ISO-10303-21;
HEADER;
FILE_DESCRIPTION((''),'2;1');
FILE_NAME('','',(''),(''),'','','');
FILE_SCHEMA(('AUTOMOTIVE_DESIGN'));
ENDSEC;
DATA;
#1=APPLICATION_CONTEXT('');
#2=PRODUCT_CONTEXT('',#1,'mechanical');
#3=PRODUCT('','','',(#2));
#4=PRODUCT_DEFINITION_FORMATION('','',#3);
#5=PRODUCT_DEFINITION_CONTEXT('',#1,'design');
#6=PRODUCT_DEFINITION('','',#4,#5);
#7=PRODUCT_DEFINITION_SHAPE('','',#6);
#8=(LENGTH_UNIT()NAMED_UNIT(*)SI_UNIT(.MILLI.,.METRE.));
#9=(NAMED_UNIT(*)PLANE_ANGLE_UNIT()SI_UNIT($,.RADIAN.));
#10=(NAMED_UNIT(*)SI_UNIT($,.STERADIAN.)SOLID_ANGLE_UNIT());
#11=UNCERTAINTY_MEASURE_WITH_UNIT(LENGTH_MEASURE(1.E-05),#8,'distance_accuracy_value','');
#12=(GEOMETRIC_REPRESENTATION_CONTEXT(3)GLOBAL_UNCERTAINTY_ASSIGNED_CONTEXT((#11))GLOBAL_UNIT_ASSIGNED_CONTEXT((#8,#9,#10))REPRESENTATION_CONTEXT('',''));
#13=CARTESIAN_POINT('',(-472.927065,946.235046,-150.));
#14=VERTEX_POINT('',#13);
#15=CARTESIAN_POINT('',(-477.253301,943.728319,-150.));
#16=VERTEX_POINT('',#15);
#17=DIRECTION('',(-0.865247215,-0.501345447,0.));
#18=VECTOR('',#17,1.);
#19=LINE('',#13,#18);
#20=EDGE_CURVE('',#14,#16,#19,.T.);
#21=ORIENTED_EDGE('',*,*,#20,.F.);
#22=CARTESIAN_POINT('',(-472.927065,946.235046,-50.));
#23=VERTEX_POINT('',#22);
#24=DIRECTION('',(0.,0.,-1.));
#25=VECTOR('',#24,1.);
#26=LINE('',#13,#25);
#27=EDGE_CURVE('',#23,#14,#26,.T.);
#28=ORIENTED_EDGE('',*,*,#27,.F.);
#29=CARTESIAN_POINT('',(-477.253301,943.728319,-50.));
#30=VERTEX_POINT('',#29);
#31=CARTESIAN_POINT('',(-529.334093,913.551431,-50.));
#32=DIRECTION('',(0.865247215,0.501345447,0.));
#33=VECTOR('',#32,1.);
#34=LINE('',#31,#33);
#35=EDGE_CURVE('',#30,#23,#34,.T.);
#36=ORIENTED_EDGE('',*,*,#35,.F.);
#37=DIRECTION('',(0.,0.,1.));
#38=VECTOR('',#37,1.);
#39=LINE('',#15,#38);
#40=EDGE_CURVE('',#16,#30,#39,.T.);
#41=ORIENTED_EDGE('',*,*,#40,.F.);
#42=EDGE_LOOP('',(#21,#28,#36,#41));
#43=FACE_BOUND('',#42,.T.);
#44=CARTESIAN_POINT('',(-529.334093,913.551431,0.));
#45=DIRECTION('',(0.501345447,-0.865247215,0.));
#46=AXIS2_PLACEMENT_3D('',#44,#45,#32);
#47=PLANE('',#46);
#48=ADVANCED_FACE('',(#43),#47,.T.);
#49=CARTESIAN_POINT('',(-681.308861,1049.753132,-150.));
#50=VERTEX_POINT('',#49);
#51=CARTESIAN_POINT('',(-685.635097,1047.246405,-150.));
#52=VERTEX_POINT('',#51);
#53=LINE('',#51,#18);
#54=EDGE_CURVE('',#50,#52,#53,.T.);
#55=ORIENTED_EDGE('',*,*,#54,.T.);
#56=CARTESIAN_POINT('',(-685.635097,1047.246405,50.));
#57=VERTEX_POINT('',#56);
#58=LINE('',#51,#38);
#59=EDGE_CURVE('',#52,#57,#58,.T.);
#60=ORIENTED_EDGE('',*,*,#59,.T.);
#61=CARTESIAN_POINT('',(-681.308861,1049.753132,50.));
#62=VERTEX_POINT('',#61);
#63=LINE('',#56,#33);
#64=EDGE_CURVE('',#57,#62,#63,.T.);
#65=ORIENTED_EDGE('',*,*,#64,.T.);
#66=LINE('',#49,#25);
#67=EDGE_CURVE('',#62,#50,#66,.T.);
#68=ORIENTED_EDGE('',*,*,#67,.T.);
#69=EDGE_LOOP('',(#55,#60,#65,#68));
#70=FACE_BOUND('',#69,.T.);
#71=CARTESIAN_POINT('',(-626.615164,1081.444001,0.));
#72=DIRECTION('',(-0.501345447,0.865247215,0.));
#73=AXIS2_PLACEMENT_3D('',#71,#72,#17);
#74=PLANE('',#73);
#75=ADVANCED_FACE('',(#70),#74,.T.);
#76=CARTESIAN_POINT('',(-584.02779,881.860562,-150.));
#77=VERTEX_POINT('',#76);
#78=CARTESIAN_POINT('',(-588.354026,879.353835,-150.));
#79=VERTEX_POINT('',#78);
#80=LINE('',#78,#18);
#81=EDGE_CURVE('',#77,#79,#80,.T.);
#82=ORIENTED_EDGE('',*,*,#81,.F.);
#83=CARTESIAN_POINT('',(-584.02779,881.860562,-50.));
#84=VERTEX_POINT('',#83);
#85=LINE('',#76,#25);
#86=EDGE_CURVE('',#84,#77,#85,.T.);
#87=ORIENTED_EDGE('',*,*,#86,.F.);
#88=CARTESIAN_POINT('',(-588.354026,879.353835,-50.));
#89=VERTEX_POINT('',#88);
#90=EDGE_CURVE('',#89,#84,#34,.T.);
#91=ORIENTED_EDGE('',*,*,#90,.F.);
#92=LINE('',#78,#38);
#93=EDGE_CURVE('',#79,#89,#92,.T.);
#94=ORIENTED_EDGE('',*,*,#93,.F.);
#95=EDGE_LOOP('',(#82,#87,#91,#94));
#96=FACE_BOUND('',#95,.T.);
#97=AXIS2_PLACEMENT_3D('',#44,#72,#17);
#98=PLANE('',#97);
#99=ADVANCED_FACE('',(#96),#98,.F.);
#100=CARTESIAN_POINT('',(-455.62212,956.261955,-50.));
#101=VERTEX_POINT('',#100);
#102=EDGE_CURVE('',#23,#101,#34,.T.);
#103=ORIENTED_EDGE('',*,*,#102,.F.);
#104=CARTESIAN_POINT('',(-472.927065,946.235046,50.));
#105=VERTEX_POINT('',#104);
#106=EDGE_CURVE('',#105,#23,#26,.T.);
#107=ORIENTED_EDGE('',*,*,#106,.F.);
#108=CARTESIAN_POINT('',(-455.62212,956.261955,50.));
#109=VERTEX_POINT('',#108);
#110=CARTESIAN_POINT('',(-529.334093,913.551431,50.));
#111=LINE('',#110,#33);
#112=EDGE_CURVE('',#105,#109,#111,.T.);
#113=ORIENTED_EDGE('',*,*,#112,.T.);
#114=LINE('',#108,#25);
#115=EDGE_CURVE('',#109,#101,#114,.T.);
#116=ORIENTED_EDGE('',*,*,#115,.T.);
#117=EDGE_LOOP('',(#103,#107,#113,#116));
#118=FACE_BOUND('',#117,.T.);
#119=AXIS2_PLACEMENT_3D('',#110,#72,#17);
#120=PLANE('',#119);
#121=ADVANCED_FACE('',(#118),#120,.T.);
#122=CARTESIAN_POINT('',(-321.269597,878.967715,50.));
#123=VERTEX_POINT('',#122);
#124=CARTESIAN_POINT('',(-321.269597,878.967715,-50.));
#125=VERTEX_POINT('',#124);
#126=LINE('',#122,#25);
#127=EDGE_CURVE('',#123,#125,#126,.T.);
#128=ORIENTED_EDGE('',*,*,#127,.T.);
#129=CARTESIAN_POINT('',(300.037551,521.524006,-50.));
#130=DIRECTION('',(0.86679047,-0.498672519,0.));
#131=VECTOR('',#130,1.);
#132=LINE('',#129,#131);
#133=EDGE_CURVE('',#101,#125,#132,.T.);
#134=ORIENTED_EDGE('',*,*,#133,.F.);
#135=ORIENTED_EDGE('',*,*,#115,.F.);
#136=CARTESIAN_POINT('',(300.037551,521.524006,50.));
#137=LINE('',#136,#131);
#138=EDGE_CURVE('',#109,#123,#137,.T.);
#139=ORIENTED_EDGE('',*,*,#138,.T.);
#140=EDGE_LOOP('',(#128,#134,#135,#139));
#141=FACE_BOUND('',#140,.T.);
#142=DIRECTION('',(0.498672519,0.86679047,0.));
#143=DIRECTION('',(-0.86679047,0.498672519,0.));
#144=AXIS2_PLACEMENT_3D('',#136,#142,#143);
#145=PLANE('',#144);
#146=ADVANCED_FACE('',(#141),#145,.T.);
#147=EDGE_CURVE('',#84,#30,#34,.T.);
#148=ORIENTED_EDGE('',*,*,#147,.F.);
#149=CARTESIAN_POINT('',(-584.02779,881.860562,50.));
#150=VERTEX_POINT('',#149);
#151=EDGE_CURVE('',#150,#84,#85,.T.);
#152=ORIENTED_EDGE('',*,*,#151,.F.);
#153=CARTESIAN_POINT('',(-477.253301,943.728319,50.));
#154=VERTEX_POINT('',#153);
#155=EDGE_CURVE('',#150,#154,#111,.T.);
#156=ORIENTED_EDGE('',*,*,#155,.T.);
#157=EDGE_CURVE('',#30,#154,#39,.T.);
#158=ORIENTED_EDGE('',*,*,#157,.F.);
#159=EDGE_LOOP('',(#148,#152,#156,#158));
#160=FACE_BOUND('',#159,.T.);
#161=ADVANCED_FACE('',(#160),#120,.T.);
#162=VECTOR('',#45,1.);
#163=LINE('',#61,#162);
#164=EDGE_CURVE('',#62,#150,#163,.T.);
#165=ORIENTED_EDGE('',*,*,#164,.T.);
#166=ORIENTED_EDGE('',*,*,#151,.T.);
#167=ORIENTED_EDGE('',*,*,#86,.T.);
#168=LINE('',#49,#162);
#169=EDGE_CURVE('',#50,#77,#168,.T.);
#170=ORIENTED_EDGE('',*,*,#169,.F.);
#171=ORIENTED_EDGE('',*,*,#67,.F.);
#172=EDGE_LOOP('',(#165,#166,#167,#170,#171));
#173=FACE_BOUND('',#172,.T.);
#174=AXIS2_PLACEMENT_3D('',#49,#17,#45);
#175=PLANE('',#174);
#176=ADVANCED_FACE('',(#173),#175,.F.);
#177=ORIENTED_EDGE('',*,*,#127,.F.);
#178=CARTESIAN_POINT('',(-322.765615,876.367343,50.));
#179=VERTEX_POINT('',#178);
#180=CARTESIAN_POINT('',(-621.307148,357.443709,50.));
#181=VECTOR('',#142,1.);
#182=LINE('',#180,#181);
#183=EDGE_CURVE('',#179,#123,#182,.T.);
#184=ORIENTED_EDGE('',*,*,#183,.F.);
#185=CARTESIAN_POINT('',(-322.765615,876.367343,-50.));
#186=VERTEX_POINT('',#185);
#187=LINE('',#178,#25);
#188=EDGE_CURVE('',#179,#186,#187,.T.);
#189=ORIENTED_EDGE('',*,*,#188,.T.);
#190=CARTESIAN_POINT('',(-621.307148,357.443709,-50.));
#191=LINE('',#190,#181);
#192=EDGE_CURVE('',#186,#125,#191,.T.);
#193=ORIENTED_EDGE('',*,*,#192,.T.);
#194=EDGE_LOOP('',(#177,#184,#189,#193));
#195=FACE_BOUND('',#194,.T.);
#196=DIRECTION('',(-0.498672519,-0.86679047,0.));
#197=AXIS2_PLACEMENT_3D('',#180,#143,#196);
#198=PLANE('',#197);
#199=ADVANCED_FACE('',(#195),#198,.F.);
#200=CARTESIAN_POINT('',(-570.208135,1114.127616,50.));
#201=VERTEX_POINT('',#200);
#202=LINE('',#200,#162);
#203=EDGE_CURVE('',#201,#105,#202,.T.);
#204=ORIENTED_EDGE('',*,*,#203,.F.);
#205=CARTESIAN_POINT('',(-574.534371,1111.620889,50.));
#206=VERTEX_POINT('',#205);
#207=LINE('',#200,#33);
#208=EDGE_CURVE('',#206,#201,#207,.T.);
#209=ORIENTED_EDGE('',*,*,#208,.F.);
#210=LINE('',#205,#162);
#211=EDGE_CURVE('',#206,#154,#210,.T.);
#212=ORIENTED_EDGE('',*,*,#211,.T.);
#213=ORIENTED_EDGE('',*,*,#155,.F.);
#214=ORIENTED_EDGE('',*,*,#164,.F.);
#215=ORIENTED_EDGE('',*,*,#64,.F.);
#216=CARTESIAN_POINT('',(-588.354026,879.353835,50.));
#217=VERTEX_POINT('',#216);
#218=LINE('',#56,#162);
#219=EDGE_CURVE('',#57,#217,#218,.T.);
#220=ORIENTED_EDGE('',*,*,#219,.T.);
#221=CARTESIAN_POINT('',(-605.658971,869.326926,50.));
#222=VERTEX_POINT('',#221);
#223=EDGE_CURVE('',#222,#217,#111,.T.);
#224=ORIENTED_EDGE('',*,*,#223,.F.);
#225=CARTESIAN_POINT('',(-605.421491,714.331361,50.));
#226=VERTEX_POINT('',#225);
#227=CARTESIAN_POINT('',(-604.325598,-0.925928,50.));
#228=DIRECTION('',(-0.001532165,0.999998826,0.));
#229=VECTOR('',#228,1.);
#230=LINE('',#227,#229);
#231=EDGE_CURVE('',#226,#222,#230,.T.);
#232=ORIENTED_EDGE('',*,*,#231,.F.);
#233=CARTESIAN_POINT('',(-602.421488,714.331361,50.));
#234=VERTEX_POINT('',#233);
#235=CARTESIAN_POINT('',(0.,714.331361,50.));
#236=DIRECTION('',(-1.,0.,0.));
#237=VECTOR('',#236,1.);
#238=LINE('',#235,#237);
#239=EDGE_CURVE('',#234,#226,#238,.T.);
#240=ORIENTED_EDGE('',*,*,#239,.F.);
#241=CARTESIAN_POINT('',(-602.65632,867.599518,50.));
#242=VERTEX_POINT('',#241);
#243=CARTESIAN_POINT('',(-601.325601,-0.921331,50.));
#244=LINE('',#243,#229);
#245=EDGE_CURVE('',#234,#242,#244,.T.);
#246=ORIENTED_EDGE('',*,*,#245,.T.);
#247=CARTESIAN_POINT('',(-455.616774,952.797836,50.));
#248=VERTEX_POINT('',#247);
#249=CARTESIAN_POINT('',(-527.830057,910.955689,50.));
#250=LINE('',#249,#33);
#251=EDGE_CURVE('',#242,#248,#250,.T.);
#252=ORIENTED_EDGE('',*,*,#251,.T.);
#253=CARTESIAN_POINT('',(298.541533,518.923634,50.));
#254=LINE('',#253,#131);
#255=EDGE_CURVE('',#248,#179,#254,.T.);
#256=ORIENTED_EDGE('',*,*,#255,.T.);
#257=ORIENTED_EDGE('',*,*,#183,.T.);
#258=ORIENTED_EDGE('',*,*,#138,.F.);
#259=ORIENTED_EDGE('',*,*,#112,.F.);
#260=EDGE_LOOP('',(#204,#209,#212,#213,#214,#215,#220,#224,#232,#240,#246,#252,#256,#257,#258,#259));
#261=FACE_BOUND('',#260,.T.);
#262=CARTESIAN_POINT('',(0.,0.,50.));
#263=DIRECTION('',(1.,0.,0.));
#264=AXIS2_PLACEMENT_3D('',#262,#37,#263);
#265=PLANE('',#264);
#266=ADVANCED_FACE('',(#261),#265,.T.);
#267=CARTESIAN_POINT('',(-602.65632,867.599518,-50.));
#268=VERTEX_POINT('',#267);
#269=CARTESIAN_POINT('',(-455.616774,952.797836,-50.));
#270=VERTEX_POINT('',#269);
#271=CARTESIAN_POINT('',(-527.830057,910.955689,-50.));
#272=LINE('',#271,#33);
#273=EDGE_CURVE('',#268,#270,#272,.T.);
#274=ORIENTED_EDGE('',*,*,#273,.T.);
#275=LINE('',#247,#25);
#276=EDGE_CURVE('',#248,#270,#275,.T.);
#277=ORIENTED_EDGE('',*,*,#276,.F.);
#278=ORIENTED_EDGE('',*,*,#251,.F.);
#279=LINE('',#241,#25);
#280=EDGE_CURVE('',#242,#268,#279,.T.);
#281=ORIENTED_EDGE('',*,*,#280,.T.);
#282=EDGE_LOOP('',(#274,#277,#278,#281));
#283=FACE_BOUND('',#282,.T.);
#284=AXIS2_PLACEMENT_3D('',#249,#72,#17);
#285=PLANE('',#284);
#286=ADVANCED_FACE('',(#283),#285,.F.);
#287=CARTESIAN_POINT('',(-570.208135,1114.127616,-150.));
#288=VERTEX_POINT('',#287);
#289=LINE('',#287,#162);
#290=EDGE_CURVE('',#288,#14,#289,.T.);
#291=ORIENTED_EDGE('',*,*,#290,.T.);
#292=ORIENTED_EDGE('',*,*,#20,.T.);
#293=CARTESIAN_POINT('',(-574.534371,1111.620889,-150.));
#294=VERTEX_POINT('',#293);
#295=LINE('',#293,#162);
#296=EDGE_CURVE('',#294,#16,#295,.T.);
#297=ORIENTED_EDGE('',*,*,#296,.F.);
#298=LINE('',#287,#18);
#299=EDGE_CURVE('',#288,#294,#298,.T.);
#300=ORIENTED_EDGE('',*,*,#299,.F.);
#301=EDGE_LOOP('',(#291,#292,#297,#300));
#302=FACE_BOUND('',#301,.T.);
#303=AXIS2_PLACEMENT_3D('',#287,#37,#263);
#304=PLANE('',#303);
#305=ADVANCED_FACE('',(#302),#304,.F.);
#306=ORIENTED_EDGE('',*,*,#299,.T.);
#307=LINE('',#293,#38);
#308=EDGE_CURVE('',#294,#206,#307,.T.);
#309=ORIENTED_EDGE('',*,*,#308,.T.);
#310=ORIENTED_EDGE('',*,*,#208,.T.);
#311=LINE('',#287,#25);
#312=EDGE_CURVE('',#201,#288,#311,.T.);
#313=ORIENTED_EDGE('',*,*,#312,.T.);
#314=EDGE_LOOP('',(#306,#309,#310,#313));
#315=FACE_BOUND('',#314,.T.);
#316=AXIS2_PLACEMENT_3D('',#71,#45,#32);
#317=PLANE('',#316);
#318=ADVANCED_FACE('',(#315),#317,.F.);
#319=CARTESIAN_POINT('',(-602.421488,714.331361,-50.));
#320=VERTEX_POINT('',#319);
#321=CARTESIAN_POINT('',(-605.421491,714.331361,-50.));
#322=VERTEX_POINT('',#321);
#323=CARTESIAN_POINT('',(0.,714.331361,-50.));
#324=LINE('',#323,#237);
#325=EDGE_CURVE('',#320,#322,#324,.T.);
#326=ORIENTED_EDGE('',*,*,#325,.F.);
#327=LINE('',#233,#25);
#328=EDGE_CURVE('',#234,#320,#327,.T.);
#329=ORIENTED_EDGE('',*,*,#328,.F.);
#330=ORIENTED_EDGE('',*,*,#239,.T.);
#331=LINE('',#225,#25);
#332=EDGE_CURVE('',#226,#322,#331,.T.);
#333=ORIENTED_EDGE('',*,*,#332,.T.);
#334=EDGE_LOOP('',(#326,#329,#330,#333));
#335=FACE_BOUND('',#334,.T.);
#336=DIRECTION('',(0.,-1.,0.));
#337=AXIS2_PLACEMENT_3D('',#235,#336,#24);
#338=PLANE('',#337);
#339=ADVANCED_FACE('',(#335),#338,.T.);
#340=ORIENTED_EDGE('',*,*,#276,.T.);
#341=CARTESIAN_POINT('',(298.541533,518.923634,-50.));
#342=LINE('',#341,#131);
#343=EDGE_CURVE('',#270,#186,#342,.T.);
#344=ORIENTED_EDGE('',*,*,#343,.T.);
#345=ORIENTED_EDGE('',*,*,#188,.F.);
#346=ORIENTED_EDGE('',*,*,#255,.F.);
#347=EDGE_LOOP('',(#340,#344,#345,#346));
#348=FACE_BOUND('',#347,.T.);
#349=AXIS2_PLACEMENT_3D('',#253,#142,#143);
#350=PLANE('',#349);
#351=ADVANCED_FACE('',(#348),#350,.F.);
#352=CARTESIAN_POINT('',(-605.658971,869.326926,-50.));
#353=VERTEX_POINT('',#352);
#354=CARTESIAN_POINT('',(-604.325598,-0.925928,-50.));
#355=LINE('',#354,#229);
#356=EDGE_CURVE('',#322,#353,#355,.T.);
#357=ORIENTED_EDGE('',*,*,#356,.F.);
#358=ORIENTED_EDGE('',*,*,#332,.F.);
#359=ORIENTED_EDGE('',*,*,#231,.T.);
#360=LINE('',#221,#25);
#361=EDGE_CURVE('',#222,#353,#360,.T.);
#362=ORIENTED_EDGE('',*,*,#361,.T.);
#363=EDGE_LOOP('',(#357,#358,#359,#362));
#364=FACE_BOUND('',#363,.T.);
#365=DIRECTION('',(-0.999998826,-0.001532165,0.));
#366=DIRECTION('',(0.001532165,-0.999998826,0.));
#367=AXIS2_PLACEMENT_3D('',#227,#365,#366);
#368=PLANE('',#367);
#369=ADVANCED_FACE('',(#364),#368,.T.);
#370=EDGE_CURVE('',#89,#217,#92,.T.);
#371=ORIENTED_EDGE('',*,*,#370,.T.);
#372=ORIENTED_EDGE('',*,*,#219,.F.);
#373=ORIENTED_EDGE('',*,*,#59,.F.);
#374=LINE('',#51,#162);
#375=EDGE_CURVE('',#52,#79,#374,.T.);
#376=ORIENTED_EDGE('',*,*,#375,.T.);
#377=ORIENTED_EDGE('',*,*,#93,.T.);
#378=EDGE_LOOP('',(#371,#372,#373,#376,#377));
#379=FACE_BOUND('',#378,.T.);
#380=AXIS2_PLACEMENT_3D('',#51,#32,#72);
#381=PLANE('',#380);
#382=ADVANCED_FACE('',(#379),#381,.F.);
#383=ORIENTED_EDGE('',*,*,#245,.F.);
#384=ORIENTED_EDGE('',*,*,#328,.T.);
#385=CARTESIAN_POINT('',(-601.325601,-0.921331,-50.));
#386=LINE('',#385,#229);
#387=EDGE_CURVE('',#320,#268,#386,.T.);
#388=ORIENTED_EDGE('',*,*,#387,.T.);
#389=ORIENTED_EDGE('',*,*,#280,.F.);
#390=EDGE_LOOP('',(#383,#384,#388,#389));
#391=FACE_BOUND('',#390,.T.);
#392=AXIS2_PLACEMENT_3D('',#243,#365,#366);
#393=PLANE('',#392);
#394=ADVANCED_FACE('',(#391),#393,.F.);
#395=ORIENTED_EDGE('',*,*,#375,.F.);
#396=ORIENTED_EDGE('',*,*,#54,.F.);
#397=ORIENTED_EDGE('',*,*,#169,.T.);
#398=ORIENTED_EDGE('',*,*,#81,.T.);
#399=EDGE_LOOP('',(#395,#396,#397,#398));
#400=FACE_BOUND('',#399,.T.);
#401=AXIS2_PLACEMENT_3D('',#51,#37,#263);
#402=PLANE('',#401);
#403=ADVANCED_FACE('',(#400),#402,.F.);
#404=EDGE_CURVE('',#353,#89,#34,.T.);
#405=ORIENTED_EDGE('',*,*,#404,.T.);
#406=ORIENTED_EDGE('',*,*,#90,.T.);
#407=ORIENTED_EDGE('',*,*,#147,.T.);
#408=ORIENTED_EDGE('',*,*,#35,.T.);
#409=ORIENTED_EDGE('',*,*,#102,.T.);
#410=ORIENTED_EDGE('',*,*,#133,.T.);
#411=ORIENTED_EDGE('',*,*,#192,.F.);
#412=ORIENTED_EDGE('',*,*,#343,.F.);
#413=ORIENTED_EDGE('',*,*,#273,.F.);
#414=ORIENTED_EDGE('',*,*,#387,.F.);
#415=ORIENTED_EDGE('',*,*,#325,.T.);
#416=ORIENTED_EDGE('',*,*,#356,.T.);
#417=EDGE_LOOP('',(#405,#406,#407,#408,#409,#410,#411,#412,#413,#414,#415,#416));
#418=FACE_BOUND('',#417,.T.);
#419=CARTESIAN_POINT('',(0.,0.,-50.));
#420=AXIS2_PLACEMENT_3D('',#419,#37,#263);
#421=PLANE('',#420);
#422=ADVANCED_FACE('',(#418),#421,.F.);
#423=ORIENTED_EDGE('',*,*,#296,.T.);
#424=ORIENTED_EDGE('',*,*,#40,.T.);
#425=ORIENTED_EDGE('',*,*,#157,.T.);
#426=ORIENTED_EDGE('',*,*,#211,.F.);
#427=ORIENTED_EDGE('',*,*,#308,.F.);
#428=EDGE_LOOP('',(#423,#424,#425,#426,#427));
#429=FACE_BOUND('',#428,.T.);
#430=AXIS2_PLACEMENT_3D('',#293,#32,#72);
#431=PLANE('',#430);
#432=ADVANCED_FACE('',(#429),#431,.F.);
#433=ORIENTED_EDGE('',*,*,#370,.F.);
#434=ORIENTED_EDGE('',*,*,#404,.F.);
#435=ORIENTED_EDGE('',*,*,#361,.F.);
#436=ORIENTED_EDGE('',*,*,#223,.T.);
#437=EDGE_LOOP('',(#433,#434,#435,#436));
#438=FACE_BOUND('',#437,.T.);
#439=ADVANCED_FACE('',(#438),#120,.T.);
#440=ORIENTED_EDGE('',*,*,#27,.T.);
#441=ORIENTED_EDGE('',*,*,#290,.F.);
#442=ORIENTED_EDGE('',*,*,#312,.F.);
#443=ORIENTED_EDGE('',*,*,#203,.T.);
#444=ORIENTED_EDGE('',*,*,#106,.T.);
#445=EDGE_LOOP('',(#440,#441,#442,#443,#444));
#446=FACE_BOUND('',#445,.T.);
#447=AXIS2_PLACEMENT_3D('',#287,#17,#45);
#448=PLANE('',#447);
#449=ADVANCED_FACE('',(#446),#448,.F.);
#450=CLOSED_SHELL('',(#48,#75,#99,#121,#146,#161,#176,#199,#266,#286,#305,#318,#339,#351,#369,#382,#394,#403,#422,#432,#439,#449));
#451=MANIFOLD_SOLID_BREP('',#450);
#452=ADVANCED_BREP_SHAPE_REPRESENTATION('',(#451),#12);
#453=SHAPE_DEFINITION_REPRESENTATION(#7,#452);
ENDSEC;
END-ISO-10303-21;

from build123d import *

# Parameters (mm, degrees)
BOSS_EXTRUDE3_DEPTH = 50
SKETCH3_W           = 5
SKETCH3_H           = 200
BOSS_EXTRUDE4_DEPTH = 194.04


with BuildPart() as part:
    # Sketch1 → Boss-Extrude3 (new, symmetric)
    with BuildSketch(Plane.XY):
        Polygon((-605.658970563, 869.326926327), (-605.421491465, 714.331361266), (-602.421487943, 714.331361266), (-602.651320044, 864.335957761), (-602.656320364, 867.599518288), (-455.616774381, 952.797835671), (-452.784185512, 951.168221277), (-322.765615027, 876.367343414), (-321.26959747, 878.967714824), (-451.288167955, 953.768592687), (-455.622120304, 956.261955282), align=None)
    extrude(amount=BOSS_EXTRUDE3_DEPTH, both=True)

    # Sketch3 → Boss-Extrude4 (add)
    with BuildSketch(Plane(origin=(-529.334093448, 913.551431111, 0), x_dir=(0.8652472150761933, 0.5013454465764019, 0), z_dir=(-0.5013454465764018, 0.8652472150761932, 0))):
        with Locations((62.691806295, 50)):
            Rectangle(SKETCH3_W, SKETCH3_H)
        with Locations((-65.711641465, 50)):
            Rectangle(SKETCH3_W, SKETCH3_H)
    extrude(amount=BOSS_EXTRUDE4_DEPTH)


solid = part.part
